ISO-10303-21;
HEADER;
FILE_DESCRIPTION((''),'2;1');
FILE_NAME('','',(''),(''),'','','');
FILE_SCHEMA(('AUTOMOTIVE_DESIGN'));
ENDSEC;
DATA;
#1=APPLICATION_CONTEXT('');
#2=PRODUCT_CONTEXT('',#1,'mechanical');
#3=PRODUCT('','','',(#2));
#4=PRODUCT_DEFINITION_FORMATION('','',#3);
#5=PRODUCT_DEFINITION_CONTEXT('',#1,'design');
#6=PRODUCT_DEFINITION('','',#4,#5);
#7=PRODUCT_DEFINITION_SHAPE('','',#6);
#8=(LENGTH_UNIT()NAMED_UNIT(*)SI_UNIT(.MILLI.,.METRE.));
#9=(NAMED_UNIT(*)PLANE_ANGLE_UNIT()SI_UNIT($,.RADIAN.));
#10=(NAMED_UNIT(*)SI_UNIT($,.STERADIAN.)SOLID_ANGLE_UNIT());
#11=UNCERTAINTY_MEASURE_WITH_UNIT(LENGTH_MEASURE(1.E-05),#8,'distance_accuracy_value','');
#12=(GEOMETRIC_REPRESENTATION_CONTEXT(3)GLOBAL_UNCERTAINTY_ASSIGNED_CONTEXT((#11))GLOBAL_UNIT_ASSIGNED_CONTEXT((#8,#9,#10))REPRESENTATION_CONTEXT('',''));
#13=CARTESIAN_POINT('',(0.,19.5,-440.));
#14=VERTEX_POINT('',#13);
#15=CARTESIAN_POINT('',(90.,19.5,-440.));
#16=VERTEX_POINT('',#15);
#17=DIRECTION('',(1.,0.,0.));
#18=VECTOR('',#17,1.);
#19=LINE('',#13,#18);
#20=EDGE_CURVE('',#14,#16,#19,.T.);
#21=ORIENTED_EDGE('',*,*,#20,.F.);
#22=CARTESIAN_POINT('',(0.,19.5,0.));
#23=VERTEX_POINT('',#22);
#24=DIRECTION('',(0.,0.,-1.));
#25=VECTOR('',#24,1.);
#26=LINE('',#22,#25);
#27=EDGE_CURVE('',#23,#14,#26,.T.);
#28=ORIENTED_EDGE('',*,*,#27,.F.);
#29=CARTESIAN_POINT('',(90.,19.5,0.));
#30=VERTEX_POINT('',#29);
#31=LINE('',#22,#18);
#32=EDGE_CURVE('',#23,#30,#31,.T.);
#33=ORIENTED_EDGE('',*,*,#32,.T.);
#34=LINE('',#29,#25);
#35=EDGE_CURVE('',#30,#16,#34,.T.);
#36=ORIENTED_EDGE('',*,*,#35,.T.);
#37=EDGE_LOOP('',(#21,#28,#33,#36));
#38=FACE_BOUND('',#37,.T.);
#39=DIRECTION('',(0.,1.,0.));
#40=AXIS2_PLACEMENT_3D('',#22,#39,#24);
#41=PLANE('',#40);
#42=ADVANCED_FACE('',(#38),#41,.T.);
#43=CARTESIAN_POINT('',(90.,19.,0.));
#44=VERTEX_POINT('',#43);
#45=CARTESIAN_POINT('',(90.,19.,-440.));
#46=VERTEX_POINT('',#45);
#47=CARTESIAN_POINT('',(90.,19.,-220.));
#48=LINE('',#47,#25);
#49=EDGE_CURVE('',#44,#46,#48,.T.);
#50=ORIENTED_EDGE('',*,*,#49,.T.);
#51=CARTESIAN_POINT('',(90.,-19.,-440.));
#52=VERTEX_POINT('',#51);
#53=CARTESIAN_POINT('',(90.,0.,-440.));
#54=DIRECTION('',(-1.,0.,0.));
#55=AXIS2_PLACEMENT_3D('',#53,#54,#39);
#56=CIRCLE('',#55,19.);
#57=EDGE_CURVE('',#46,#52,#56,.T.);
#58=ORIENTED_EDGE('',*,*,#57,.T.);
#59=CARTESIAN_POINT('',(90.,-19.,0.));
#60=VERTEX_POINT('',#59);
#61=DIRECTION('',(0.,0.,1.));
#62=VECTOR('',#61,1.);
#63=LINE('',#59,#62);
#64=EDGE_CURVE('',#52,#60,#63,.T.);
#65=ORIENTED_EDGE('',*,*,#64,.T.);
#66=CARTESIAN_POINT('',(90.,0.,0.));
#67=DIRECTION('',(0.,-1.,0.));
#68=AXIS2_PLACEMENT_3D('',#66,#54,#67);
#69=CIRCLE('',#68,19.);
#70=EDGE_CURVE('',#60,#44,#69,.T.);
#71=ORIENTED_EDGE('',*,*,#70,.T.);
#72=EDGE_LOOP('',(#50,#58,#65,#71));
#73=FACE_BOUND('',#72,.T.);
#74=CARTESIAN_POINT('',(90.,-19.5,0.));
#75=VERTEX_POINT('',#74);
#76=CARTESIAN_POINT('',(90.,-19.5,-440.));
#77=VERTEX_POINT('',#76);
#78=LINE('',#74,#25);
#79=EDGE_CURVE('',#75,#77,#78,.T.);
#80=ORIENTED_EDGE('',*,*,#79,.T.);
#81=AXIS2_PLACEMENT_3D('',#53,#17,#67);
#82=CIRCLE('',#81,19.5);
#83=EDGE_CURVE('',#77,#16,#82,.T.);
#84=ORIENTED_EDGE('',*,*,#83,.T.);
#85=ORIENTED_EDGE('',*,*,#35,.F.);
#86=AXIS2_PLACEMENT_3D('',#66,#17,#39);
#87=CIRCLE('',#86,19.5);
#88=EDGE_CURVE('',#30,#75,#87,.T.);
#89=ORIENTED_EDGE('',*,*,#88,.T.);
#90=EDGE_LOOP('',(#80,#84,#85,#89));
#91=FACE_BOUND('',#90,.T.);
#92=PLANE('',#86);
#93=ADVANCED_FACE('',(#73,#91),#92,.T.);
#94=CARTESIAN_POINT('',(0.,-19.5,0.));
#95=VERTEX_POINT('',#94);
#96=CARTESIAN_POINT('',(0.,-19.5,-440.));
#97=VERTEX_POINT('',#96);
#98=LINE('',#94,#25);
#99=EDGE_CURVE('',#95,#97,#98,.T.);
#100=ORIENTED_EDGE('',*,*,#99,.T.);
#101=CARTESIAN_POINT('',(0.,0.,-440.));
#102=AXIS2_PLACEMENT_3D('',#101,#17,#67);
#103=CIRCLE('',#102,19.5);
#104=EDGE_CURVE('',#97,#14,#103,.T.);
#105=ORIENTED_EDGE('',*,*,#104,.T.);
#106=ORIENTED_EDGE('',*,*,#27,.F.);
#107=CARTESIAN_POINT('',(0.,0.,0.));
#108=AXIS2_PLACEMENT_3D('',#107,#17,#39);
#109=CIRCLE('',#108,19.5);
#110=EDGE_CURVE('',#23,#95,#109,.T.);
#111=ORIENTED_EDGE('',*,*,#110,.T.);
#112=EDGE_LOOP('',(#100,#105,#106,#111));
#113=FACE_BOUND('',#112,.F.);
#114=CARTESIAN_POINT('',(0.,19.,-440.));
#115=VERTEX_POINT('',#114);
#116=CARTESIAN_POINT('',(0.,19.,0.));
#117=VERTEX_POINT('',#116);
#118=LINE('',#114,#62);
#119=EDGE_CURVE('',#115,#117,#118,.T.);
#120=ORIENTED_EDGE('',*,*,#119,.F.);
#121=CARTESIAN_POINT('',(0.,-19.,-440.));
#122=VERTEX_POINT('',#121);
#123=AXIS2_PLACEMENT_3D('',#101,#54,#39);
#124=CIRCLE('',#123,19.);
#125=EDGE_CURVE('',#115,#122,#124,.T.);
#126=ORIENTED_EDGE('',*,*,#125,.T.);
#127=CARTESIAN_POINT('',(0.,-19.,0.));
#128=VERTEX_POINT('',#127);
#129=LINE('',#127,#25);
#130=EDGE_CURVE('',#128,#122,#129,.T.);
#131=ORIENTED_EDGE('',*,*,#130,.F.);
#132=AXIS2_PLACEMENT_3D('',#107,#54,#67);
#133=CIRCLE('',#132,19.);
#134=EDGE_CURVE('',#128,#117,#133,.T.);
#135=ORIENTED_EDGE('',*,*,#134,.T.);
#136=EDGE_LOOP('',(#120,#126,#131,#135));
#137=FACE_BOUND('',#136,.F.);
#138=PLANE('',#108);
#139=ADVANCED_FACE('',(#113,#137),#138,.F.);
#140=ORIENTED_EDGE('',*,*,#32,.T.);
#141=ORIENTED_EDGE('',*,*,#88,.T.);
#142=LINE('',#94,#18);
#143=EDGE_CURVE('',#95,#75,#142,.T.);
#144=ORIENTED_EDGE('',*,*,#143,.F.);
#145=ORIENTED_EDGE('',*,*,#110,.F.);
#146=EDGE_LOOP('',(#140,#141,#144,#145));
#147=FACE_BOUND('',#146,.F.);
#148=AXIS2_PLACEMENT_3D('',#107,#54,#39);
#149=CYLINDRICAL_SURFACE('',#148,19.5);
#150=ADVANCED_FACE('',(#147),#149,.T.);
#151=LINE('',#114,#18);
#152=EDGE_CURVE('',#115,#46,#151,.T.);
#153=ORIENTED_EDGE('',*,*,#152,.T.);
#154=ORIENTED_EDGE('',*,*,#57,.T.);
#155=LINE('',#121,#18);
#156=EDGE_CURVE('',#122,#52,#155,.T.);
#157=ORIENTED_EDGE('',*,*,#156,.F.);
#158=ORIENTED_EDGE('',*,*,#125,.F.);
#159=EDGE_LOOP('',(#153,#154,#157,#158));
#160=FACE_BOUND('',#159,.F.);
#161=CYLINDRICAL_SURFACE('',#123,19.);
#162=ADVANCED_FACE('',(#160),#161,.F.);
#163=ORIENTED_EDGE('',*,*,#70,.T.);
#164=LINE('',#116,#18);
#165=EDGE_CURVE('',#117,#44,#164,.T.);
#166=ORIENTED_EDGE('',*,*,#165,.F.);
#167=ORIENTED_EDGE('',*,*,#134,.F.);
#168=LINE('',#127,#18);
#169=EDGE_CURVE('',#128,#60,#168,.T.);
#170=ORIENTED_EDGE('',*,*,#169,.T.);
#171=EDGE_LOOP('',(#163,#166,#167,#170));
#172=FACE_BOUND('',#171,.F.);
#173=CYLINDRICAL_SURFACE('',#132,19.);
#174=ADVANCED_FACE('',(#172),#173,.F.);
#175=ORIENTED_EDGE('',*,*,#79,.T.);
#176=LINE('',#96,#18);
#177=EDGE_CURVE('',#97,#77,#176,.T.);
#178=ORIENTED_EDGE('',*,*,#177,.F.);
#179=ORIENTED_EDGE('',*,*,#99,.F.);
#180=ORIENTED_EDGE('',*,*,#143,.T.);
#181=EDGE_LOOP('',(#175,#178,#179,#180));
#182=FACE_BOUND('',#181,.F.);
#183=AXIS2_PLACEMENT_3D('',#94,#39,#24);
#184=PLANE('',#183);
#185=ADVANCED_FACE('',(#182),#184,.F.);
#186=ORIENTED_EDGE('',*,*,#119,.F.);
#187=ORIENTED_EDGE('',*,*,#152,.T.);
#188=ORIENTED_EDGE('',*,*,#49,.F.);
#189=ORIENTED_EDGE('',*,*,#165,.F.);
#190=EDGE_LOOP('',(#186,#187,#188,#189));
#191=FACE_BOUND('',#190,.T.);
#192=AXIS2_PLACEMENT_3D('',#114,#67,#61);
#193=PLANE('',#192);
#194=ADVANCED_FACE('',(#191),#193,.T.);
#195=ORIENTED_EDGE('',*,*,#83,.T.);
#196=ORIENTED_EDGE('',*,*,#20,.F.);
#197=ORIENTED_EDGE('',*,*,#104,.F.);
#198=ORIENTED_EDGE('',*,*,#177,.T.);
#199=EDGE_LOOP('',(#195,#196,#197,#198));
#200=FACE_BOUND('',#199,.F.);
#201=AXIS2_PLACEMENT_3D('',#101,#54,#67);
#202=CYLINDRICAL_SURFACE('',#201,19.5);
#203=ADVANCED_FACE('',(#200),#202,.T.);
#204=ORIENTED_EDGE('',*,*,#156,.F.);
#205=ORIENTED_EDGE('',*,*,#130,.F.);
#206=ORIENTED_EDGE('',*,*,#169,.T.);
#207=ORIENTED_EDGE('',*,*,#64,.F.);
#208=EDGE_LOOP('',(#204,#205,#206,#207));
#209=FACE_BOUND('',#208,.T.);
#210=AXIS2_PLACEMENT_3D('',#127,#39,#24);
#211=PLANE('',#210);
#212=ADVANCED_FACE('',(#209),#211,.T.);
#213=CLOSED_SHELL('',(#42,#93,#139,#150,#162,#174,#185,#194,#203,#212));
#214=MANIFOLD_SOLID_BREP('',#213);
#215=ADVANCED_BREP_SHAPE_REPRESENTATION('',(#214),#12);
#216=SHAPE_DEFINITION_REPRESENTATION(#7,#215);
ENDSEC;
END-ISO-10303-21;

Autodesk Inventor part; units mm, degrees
ref_plane "YZ Plane" through (0, 0, 0) normal (1, 0, 0) x (0, 1, 0)
ref_plane "XZ Plane" through (0, 0, 0) normal (0, 1, 0) x (-1, 0, 0)
ref_plane "XY Plane" through (0, 0, 0) normal (0, 0, 1) x (1, 0, 0)
sketch "Sketch1" plane through (0, 0, 0) normal (1, 0, 0) x (0, 1, 0)
  arc A0 (19.5, 0) -> (-19.5, 0) centre (0, 0) ccw
  arc A1 (-19.5, -440) -> (19.5, -440) centre (0, -440) ccw
  line L0 (19.5, 0) -> (19.5, -440)
  line L1 (-19.5, 0) -> (-19.5, -440)
  dimension "d0" = 39
  dimension "d1" = 39
  dimension "d2" = 440
extrude "Extrusion1" add sketch "Sketch1" along normal blind 90
sketch "Sketch2" plane through (0, 0, 0) normal (-1, 0, 0) x (0, 0, 1)
  arc A0 (0, -19) -> (0, 19) centre (0, 0) ccw
  arc A1 (-440, 19.5) -> (-440, -19.5) centre (-440, 0) ccw projected
  arc A2 (-440, 19) -> (-440, -19) centre (-440, 0) ccw
  line L0 (-440, 19) -> (0, 19)
  line L1 (0, -19) -> (-440, -19)
  dimension "d5" = 38
  dimension "d6" = 38
extrude "Extrusion2" cut sketch "Sketch2" against normal through all
properties part number "Băng tải"
